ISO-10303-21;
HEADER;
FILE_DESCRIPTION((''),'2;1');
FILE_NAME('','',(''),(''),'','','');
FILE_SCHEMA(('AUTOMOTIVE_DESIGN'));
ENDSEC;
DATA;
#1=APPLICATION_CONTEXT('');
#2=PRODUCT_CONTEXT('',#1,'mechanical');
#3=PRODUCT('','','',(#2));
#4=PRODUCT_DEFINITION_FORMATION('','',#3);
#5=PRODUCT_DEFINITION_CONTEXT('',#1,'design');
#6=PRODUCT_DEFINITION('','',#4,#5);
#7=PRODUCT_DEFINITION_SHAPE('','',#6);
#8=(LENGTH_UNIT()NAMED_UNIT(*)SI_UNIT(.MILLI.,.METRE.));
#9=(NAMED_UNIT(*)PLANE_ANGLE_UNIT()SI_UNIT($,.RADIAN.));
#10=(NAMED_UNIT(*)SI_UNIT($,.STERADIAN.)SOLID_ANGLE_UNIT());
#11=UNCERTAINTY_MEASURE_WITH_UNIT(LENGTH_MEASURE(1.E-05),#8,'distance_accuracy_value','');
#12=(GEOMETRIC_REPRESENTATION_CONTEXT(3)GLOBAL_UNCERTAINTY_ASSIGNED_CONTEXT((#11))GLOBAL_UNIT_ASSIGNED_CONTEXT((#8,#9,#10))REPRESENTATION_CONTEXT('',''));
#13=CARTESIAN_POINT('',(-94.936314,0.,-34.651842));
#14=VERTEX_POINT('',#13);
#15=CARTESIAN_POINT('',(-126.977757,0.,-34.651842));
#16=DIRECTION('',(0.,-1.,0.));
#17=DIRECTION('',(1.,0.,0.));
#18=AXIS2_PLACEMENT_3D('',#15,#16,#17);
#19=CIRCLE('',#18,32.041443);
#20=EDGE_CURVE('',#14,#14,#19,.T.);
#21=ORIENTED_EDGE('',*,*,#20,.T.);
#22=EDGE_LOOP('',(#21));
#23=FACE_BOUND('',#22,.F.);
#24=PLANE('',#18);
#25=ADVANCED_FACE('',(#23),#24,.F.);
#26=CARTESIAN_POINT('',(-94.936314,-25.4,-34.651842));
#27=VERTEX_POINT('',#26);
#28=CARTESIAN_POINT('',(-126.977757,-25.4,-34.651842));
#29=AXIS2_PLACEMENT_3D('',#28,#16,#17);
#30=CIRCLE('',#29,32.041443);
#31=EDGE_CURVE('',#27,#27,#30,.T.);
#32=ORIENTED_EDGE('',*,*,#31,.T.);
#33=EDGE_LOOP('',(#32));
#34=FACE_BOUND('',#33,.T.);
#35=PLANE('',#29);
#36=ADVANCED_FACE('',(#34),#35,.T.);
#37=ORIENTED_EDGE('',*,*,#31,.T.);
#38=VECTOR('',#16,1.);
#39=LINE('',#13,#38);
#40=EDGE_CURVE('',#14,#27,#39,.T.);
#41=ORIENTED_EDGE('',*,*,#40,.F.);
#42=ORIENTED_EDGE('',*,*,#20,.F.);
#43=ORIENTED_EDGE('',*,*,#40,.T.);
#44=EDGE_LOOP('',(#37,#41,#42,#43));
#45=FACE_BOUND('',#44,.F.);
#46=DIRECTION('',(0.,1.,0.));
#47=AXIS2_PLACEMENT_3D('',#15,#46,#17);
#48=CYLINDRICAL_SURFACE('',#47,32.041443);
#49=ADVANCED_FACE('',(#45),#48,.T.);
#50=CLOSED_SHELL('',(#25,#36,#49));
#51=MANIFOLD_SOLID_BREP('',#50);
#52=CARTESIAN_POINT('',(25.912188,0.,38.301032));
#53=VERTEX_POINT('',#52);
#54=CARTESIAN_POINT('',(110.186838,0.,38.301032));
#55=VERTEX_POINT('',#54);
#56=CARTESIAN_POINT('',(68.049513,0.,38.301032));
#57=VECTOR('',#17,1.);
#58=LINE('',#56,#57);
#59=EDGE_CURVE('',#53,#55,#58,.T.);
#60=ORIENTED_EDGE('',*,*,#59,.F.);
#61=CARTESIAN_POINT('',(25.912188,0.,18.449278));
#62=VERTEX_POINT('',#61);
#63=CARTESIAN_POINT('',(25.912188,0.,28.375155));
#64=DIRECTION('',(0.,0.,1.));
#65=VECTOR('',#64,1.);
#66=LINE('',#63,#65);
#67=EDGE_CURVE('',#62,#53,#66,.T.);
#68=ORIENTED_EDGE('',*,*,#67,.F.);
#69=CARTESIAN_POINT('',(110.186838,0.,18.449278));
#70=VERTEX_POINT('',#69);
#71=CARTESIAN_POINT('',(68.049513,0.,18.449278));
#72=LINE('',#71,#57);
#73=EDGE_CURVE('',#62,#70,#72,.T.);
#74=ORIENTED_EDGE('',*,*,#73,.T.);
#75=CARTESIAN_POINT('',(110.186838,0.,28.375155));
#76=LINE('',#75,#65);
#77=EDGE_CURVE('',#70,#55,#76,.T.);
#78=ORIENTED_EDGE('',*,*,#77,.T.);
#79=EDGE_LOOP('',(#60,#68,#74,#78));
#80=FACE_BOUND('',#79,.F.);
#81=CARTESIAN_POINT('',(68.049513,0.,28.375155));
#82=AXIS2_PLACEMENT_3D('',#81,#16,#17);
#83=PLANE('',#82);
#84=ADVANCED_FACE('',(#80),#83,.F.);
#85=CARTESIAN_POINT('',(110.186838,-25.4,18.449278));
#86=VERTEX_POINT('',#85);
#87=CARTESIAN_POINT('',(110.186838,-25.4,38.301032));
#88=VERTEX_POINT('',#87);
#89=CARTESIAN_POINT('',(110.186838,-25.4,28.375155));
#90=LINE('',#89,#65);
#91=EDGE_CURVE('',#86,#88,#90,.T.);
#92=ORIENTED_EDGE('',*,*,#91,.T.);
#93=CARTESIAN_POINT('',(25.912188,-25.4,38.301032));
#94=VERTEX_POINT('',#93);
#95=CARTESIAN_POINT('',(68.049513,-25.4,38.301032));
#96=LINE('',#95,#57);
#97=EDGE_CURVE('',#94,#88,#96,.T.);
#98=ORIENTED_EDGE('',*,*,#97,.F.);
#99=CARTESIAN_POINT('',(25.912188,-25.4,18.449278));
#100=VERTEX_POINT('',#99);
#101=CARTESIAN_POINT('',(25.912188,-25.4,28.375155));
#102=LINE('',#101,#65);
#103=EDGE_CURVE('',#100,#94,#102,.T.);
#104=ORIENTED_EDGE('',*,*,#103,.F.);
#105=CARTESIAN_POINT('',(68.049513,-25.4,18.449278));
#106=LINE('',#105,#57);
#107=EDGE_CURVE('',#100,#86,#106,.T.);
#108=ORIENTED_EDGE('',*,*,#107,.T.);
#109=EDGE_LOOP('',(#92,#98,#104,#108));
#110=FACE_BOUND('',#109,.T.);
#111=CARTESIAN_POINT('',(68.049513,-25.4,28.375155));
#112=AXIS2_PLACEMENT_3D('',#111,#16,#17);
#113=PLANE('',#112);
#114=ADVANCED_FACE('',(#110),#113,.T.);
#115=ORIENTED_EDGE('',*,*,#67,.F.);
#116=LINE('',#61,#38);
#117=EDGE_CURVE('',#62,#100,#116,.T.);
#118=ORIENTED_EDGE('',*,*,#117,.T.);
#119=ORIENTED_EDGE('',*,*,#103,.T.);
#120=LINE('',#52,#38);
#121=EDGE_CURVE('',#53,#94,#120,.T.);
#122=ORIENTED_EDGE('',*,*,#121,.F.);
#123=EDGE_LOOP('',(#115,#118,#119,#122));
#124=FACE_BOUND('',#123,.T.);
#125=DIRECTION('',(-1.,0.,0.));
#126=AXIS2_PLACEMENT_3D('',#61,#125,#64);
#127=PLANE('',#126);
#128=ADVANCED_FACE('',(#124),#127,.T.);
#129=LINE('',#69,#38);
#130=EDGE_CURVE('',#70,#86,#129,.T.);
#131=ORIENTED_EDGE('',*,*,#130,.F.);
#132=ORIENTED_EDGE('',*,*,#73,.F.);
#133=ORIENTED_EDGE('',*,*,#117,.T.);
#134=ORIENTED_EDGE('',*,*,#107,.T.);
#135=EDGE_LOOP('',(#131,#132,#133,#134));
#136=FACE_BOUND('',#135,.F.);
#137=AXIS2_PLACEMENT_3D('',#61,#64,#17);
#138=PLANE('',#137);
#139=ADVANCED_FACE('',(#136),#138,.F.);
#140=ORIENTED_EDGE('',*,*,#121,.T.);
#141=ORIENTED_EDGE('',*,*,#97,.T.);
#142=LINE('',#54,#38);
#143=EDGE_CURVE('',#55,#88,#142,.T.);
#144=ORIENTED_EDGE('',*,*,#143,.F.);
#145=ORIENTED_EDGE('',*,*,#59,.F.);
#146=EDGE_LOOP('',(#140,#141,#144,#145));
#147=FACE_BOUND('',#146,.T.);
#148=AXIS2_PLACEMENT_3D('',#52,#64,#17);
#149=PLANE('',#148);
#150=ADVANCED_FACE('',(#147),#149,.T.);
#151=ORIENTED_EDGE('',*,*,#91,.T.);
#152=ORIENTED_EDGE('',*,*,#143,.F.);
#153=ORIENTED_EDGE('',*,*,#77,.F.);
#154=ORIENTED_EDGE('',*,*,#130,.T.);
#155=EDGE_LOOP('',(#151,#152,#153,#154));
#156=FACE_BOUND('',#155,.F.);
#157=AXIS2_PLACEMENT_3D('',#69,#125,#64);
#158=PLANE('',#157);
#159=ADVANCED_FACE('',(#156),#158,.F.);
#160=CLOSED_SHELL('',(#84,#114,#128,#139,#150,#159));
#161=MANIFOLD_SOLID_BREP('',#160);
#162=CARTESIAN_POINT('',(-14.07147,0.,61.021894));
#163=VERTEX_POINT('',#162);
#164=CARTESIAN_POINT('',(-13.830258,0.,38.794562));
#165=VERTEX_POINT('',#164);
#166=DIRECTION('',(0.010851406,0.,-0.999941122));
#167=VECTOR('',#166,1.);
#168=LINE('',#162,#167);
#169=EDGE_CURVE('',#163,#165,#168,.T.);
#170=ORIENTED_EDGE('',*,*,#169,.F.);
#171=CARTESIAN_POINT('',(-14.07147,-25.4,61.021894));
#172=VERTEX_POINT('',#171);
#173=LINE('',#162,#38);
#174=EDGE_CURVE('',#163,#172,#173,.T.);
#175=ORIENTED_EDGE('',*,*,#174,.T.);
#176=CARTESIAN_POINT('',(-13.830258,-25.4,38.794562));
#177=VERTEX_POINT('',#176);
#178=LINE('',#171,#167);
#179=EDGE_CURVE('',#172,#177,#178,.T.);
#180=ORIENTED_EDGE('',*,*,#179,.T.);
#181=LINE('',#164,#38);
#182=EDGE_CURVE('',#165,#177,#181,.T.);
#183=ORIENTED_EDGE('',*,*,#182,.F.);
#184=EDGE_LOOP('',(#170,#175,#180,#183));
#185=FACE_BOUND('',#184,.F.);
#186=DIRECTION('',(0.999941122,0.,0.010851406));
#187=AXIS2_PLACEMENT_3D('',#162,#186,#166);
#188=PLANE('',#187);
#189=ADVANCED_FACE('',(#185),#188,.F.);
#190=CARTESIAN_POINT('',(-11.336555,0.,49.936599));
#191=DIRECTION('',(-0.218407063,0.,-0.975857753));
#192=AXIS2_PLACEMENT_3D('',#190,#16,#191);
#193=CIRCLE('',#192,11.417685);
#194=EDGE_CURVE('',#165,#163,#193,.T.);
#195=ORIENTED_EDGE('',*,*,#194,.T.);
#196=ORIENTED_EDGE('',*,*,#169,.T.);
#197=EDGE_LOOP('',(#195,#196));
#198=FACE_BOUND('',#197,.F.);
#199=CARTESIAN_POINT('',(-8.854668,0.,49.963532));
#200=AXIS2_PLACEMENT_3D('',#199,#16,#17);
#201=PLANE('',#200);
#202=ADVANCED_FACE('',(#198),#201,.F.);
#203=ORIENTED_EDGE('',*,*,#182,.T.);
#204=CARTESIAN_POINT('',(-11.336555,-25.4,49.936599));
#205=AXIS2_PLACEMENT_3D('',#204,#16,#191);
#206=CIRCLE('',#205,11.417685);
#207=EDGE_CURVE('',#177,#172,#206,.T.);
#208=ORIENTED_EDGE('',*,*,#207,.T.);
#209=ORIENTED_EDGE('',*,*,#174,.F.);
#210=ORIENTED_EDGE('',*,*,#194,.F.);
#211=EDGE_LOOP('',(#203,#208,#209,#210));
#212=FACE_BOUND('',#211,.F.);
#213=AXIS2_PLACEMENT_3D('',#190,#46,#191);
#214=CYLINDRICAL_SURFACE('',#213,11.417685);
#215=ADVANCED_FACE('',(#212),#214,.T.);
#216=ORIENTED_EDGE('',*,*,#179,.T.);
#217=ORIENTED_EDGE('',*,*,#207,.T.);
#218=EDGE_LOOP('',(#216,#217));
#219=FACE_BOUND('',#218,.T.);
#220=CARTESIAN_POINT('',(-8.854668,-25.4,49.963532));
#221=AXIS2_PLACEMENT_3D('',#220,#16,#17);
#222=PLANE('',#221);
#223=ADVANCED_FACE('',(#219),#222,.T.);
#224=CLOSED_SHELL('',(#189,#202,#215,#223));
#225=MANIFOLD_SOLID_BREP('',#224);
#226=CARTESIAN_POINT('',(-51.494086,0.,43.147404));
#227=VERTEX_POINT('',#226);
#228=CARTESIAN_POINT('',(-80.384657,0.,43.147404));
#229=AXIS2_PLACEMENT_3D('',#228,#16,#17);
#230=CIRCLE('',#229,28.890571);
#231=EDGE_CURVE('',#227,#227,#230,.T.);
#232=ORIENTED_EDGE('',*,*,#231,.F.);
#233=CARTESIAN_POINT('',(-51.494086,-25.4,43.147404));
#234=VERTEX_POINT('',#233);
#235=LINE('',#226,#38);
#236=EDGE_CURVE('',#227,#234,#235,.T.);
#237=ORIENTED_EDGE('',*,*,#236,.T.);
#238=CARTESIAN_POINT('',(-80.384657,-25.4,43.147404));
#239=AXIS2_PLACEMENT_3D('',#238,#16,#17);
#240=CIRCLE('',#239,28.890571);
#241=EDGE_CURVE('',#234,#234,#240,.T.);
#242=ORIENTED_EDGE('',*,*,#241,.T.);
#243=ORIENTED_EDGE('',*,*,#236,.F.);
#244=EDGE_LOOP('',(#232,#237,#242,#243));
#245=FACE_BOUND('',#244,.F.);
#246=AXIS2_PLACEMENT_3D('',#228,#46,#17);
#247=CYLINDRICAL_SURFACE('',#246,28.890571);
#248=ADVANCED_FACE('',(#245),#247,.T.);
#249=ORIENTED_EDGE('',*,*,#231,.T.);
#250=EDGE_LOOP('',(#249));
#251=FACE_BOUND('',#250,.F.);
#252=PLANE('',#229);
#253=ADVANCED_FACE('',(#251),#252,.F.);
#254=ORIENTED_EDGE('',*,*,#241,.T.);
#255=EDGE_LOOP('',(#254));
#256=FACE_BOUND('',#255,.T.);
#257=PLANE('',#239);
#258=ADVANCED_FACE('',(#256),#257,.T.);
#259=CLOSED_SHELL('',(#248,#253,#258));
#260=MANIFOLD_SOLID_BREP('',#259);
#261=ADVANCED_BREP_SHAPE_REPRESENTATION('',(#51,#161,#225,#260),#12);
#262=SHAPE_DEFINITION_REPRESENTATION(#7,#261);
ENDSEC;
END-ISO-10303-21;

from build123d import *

# Parameters (mm, degrees)
F0_R     = 28.890571
F0_W     = 84.27465
F0_H     = 19.851753
F0_R_2   = 32.041443
F1_DEPTH = 25.4


with BuildPart() as f1:
    # F0 (on Front) → F1 (new body)
    with BuildSketch(Plane.XZ):
        with Locations((-80.384657, 43.147404)):
            Circle(F0_R)
        with Locations((68.049513, 28.375155)):
            Rectangle(F0_W, F0_H)
        with BuildLine():
            Line((-14.07147, 61.021894), (-13.830258, 38.794562))
            ThreePointArc((-13.830258, 38.794562), (0.080458, 50.060497), (-14.07147, 61.021894))
        make_face()
        with Locations((-126.977757, -34.651842)):
            Circle(F0_R_2)
    extrude(amount=F1_DEPTH)


solid = f1.part
